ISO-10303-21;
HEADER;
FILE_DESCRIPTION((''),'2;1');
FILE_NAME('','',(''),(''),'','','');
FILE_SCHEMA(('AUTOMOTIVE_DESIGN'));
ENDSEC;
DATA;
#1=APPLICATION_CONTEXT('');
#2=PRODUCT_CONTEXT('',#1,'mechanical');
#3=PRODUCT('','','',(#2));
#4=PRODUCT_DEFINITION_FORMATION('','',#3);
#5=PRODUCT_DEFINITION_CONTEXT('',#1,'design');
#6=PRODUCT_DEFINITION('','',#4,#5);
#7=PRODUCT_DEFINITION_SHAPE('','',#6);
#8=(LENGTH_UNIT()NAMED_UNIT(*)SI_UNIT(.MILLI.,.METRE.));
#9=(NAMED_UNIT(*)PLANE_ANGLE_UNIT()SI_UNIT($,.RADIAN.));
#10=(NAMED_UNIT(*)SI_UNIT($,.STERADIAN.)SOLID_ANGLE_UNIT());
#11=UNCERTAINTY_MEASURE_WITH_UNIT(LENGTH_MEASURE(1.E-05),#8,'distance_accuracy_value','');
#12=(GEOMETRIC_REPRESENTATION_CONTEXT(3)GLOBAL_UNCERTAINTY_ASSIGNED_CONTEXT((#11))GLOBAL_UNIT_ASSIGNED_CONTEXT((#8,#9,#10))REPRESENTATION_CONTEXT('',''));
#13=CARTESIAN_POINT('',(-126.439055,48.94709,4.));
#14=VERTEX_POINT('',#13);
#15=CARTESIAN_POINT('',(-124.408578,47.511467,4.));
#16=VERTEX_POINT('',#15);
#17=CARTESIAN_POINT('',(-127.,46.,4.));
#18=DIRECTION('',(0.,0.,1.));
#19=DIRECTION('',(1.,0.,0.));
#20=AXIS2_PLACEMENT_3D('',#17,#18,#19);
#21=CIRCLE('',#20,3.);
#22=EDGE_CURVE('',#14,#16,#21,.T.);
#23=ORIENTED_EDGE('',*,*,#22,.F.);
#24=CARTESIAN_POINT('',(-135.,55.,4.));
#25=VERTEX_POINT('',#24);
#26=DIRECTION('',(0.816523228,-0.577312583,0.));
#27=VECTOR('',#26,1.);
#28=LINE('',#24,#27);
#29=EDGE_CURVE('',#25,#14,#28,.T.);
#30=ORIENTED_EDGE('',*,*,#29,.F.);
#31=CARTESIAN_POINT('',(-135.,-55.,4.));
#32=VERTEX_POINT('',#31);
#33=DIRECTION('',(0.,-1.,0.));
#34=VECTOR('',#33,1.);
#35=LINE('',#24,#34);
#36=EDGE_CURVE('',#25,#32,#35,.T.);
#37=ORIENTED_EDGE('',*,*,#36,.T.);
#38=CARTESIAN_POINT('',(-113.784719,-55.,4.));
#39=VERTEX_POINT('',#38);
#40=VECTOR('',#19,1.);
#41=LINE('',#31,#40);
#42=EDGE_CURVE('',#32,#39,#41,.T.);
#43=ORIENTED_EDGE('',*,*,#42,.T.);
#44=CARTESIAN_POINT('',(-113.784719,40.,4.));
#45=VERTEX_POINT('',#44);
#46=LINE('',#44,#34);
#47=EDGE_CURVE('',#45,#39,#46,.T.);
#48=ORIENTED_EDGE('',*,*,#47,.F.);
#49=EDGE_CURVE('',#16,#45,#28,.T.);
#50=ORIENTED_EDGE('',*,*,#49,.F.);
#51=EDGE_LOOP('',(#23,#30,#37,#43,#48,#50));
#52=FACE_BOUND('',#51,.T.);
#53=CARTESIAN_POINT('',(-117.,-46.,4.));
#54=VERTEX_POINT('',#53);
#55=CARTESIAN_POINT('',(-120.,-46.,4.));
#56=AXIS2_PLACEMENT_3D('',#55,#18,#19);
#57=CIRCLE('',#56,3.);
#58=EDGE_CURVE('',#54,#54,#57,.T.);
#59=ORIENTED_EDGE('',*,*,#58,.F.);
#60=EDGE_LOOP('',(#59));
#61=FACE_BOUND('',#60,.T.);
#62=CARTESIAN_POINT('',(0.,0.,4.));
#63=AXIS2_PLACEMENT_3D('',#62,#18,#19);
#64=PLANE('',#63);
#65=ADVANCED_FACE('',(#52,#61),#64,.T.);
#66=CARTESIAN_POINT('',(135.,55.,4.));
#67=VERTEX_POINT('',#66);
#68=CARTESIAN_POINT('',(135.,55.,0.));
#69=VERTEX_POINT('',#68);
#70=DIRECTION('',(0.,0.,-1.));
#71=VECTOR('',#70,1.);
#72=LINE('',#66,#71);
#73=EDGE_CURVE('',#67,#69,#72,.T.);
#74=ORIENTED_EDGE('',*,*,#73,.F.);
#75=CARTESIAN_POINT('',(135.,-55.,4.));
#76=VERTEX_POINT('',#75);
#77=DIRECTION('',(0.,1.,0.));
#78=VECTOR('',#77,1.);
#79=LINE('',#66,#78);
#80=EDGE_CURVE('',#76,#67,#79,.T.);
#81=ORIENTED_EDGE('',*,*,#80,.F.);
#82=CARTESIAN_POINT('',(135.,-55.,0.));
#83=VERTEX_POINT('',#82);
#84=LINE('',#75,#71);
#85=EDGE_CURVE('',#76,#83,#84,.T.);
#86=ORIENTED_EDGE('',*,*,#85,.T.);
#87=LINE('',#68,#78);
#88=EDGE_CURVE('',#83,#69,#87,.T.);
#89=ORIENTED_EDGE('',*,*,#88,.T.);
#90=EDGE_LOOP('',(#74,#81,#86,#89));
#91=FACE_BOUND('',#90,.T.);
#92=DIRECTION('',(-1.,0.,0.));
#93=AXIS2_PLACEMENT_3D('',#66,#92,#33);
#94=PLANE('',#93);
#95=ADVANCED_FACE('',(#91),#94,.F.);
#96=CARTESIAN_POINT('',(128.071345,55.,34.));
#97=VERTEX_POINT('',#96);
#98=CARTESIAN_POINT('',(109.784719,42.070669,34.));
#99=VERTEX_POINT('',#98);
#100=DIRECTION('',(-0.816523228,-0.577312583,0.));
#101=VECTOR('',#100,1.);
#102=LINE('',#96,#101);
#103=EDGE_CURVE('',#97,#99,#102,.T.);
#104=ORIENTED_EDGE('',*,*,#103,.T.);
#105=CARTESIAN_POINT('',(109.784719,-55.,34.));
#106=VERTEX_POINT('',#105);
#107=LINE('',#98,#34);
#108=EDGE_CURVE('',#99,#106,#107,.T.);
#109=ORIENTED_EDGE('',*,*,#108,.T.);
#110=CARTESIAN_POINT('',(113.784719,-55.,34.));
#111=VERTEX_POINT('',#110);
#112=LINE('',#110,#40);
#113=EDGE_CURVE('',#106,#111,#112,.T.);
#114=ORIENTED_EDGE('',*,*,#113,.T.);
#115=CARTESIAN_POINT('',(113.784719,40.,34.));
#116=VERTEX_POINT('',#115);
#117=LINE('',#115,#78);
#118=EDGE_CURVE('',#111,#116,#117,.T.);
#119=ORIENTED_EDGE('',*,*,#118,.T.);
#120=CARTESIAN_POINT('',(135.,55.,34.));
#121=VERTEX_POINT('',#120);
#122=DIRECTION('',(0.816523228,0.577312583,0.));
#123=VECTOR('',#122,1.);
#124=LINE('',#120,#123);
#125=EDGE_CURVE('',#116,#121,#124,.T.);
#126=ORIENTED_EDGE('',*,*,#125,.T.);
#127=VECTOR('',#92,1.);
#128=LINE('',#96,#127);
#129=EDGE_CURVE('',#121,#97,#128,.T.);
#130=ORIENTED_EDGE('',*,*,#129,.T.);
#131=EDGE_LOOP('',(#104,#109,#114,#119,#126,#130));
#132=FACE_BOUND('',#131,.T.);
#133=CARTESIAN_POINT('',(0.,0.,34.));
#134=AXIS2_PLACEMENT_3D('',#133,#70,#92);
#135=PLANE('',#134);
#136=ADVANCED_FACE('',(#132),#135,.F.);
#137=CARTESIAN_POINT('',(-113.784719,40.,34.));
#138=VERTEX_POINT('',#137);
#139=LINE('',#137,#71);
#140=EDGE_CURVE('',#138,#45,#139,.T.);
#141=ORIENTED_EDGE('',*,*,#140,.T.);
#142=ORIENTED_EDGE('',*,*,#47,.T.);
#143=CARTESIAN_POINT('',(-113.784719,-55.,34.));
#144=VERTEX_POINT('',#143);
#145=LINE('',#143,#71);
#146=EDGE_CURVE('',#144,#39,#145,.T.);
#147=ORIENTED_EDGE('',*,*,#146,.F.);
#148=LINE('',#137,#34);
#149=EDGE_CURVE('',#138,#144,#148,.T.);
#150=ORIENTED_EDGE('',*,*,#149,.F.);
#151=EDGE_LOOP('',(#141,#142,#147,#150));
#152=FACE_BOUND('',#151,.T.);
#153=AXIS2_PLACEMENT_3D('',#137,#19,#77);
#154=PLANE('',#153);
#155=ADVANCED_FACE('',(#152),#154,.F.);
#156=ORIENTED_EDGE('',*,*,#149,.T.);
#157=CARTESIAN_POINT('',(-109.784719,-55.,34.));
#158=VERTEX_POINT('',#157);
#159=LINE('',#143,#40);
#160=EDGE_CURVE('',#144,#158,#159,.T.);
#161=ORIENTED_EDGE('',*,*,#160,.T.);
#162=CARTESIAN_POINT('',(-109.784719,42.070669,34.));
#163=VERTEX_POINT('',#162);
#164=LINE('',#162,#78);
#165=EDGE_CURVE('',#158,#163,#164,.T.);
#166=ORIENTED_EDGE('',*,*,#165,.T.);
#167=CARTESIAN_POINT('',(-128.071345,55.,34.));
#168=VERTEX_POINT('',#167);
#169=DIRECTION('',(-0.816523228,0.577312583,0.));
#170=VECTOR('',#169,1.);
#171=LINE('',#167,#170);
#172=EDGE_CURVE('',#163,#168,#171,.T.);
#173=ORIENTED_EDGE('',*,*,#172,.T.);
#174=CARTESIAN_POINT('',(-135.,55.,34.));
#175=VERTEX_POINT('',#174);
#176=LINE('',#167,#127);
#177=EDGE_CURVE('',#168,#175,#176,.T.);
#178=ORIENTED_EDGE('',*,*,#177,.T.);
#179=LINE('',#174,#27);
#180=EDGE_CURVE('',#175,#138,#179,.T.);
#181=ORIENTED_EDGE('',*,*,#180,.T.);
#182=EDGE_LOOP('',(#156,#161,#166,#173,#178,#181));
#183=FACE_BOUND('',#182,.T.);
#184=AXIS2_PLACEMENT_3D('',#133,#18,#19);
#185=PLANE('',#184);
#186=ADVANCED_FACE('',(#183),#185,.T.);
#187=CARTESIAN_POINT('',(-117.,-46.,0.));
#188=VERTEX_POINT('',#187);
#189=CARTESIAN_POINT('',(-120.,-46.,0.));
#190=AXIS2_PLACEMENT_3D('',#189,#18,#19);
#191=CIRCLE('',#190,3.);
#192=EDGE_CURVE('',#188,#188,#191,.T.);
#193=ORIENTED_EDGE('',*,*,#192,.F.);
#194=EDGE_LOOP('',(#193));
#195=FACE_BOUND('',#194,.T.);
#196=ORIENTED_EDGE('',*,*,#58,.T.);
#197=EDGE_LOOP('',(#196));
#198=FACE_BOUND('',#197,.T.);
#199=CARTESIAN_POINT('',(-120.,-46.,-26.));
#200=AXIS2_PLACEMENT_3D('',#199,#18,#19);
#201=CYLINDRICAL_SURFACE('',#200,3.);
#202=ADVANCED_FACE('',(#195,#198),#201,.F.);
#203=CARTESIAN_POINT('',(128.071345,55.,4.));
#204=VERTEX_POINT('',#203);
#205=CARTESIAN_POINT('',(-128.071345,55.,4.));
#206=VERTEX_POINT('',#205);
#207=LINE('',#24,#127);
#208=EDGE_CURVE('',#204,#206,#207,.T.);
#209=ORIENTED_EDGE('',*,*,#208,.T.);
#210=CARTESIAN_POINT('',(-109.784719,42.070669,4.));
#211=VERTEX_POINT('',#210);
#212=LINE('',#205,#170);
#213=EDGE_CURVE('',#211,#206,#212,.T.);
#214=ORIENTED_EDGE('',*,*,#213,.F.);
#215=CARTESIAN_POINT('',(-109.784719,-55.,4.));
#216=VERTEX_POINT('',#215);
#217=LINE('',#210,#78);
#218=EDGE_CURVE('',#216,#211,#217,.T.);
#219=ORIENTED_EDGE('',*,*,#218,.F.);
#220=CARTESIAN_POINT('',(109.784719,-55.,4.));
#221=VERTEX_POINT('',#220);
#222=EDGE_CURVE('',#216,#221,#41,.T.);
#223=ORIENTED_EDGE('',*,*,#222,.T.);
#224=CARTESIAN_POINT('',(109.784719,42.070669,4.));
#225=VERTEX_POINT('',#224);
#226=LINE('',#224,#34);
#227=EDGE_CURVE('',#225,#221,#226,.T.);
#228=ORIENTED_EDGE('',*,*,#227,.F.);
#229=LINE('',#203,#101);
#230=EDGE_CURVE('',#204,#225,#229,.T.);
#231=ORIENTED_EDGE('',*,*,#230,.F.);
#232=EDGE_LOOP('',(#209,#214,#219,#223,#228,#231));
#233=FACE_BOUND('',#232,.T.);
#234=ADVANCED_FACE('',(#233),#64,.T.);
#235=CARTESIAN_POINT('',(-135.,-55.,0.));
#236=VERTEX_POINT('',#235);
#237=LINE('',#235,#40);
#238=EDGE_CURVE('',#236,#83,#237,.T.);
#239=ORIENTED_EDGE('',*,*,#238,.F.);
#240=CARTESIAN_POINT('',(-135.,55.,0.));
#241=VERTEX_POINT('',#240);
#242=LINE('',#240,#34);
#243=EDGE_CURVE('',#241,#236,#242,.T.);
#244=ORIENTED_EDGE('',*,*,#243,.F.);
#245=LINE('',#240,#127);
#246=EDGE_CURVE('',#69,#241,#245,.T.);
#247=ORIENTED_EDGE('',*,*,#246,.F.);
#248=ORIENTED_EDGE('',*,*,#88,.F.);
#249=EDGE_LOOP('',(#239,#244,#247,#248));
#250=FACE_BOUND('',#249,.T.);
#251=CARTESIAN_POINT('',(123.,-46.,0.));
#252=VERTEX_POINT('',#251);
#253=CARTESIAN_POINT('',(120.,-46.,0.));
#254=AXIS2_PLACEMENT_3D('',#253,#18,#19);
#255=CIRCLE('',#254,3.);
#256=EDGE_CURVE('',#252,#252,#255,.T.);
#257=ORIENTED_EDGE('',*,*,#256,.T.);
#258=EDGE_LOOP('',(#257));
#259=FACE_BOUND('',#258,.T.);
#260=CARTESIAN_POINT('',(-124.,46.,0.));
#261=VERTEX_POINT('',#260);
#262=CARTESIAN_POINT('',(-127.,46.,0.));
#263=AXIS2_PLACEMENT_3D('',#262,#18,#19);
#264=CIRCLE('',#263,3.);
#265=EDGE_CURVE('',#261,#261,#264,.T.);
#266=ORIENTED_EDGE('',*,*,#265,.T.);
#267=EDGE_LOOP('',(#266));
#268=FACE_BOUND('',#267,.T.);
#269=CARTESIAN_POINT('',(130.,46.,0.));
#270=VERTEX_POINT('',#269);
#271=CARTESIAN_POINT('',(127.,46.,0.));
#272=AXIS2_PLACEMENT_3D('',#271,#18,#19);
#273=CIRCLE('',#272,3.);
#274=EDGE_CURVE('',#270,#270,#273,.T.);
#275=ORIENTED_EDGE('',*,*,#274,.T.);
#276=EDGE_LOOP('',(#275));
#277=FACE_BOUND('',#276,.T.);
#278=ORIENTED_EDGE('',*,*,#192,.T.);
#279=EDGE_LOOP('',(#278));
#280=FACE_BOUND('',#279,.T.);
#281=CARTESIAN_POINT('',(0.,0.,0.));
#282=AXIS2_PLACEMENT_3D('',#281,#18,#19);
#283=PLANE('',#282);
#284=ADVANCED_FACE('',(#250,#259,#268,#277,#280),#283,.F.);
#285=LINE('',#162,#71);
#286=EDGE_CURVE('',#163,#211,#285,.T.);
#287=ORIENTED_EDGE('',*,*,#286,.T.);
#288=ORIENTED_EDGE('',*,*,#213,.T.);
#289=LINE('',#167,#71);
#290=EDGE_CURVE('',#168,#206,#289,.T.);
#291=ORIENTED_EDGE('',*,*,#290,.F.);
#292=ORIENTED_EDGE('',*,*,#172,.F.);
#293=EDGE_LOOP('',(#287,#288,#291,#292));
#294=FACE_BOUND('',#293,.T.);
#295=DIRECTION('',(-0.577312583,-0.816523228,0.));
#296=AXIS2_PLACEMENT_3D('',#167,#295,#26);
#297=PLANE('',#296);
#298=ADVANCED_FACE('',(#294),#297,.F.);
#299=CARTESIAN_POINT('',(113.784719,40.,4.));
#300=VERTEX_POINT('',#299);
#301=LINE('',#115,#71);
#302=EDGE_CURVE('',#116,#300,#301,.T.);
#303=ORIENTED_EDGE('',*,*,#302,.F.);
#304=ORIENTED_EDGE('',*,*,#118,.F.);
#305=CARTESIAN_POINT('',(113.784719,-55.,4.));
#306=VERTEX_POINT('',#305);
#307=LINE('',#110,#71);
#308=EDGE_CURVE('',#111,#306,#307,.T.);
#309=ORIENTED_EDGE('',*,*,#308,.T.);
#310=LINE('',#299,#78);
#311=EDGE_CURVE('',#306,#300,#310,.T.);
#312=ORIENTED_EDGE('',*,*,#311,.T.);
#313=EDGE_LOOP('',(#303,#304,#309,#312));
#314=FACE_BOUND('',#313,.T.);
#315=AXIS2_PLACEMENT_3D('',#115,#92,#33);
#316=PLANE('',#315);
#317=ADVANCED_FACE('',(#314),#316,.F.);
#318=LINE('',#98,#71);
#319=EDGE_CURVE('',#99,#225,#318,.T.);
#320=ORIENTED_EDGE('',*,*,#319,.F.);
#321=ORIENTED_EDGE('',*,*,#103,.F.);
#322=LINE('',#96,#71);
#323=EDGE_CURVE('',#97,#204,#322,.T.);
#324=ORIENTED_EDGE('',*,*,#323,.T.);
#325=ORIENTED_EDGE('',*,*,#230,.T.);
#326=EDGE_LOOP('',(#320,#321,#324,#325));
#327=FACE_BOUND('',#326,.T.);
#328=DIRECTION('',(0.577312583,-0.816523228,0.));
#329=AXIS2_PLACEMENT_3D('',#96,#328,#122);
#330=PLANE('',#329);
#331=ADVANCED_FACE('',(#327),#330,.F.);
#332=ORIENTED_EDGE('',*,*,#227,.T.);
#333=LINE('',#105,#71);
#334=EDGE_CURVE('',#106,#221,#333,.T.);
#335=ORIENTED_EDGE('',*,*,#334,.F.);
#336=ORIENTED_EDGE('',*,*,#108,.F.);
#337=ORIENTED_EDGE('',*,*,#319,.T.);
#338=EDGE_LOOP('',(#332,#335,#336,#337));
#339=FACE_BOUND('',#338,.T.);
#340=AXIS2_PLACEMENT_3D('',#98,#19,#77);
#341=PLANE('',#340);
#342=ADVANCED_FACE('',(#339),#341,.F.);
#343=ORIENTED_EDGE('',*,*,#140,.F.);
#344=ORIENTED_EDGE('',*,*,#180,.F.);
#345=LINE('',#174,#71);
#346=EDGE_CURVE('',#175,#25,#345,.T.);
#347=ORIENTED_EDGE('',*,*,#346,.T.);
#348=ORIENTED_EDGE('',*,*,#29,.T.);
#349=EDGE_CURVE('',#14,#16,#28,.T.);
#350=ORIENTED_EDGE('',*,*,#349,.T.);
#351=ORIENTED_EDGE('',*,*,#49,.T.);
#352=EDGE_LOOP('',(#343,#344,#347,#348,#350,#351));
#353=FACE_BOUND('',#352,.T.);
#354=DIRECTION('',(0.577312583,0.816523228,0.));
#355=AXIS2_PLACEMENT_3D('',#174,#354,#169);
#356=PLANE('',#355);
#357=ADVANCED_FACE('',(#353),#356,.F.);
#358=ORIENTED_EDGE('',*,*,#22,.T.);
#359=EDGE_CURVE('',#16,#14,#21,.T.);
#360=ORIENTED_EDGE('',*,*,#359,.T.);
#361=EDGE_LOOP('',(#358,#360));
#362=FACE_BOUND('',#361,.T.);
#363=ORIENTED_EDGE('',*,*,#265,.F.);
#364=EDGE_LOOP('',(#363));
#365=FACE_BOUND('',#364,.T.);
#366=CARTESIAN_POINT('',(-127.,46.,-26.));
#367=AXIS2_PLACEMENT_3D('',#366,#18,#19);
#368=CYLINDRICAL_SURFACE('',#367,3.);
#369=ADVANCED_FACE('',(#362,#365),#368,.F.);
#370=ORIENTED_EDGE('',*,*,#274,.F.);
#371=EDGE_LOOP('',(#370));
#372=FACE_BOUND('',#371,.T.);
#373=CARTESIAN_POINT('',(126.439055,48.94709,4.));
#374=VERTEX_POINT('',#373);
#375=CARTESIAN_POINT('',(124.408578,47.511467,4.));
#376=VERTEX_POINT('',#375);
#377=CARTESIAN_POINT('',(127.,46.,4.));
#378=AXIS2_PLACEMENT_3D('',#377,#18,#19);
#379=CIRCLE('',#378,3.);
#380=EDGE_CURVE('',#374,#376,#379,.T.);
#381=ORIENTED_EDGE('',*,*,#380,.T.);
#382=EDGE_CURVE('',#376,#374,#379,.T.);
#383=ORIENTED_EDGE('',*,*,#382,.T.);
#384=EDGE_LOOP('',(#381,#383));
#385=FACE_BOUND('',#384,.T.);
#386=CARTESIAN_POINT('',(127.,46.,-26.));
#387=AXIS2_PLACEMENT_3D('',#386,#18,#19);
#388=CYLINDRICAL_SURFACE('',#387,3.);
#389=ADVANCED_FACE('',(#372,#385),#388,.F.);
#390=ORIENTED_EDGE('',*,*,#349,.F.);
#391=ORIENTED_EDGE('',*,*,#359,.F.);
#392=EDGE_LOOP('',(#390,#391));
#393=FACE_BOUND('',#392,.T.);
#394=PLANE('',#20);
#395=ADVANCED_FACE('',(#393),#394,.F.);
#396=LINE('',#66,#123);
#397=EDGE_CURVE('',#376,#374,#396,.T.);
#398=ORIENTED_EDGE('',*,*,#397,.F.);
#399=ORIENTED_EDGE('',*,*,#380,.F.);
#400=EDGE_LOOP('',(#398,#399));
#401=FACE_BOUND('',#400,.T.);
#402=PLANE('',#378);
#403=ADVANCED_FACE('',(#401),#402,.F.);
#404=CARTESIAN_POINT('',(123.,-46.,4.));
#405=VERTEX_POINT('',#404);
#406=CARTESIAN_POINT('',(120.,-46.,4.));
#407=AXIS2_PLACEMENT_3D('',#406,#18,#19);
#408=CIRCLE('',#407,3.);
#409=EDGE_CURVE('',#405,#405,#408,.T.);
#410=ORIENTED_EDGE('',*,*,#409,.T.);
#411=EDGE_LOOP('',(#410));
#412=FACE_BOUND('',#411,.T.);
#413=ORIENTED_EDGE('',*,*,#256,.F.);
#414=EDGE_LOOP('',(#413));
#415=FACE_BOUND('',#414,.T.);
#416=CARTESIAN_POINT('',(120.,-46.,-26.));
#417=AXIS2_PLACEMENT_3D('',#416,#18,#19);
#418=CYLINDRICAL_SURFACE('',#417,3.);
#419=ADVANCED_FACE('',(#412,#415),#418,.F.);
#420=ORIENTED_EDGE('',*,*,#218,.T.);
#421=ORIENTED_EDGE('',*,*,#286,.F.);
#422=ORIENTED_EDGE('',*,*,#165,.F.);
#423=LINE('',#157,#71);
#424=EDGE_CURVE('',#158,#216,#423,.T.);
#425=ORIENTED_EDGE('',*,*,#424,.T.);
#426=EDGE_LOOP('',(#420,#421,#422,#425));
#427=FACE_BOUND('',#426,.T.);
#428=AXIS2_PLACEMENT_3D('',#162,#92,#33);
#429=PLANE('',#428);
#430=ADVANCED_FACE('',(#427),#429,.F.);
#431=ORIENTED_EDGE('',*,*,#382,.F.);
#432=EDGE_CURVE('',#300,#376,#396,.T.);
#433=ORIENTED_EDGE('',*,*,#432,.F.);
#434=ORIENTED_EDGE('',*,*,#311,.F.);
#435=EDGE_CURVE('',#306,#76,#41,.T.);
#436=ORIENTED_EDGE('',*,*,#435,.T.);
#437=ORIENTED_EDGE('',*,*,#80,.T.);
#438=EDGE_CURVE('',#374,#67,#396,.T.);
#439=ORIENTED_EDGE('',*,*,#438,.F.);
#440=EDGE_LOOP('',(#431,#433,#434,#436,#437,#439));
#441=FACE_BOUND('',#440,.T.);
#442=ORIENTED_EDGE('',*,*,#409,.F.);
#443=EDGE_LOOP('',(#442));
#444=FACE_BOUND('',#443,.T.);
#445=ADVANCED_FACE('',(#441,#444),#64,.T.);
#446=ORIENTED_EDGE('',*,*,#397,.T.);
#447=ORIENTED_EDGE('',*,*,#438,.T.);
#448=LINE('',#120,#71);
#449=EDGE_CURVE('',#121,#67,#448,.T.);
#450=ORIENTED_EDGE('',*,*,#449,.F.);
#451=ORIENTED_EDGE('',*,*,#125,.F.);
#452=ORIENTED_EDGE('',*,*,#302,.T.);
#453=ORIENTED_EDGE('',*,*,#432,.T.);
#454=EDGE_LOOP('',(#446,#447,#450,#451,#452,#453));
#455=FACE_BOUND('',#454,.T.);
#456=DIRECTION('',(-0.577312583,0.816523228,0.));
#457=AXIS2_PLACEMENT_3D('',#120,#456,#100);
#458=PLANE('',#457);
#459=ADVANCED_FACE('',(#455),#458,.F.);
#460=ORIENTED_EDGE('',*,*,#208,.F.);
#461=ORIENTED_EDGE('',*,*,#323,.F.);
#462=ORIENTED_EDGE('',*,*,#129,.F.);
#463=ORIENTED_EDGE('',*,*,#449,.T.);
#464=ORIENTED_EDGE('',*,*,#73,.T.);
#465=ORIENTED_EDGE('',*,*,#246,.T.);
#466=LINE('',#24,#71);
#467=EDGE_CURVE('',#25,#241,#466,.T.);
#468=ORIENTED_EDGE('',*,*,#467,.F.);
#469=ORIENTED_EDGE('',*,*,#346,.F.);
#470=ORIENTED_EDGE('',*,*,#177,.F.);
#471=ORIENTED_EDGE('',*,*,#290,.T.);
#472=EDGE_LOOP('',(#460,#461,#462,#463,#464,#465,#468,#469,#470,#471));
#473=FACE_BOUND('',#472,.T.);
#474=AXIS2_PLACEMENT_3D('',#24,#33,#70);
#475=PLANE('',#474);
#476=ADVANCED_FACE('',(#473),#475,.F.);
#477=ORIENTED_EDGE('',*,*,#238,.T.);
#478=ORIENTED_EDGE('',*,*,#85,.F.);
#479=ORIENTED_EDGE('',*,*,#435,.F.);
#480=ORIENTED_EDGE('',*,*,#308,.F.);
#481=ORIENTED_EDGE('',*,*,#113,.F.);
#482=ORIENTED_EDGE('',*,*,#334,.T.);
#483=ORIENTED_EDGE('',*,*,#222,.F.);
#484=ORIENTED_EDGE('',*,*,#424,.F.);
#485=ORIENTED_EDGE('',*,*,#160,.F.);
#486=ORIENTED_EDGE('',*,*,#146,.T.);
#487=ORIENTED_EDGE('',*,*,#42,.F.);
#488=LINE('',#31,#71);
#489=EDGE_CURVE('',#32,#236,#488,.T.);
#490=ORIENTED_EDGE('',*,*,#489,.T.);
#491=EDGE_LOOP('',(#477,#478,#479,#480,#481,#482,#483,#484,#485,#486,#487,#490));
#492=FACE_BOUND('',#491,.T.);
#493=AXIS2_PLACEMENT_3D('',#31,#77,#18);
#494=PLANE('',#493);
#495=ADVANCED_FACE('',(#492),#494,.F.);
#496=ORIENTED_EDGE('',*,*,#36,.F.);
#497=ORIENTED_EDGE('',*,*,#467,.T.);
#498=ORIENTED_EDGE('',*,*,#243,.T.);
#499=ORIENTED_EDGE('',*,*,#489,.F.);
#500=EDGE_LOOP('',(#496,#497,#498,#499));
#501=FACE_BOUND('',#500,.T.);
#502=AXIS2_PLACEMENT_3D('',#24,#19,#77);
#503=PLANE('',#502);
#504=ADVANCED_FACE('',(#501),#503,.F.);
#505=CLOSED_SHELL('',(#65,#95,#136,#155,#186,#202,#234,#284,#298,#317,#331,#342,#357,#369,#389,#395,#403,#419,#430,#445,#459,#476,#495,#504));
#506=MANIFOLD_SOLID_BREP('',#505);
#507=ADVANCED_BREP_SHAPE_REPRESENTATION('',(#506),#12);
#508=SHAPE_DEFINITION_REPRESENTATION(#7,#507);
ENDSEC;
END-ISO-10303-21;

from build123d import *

# Parameters (mm, degrees)
SKETCH1_W           = 270
SKETCH1_H           = 110
BOSS_EXTRUDE1_DEPTH = 4
BOSS_EXTRUDE2_DEPTH = 30
SKETCH3_R           = 3
CUT_EXTRUDE1_DEPTH  = 30


with BuildPart() as part:
    # Sketch1 → Boss-Extrude1 (new body)
    with BuildSketch(Plane.XY):
        Rectangle(SKETCH1_W, SKETCH1_H)
    extrude(amount=BOSS_EXTRUDE1_DEPTH)

    # Sketch2 → Boss-Extrude2 (add)
    with BuildSketch(Plane.XY.offset(4)):
        Polygon((-128.071344503, 55), (-135, 55), (-113.784719429, 40), (-113.784719429, -55), (-109.784719429, -55), (-109.784719429, 42.070669408), align=None)
        Polygon((128.071344503, 55), (109.784719429, 42.070669408), (109.784719429, -55), (113.784719429, -55), (113.784719429, 40), (135, 55), align=None)
    extrude(amount=BOSS_EXTRUDE2_DEPTH)

    # Sketch3 → Cut-Extrude1 (cut)
    with BuildSketch(Plane.XY.offset(4)):
        with Locations((-120, -46)):
            Circle(SKETCH3_R)
        with Locations((120, -46)):
            Circle(SKETCH3_R)
        with Locations((127, 46)):
            Circle(SKETCH3_R)
        with Locations((-127, 46)):
            Circle(SKETCH3_R)
    extrude(amount=-CUT_EXTRUDE1_DEPTH, mode=Mode.SUBTRACT)


solid = part.part
